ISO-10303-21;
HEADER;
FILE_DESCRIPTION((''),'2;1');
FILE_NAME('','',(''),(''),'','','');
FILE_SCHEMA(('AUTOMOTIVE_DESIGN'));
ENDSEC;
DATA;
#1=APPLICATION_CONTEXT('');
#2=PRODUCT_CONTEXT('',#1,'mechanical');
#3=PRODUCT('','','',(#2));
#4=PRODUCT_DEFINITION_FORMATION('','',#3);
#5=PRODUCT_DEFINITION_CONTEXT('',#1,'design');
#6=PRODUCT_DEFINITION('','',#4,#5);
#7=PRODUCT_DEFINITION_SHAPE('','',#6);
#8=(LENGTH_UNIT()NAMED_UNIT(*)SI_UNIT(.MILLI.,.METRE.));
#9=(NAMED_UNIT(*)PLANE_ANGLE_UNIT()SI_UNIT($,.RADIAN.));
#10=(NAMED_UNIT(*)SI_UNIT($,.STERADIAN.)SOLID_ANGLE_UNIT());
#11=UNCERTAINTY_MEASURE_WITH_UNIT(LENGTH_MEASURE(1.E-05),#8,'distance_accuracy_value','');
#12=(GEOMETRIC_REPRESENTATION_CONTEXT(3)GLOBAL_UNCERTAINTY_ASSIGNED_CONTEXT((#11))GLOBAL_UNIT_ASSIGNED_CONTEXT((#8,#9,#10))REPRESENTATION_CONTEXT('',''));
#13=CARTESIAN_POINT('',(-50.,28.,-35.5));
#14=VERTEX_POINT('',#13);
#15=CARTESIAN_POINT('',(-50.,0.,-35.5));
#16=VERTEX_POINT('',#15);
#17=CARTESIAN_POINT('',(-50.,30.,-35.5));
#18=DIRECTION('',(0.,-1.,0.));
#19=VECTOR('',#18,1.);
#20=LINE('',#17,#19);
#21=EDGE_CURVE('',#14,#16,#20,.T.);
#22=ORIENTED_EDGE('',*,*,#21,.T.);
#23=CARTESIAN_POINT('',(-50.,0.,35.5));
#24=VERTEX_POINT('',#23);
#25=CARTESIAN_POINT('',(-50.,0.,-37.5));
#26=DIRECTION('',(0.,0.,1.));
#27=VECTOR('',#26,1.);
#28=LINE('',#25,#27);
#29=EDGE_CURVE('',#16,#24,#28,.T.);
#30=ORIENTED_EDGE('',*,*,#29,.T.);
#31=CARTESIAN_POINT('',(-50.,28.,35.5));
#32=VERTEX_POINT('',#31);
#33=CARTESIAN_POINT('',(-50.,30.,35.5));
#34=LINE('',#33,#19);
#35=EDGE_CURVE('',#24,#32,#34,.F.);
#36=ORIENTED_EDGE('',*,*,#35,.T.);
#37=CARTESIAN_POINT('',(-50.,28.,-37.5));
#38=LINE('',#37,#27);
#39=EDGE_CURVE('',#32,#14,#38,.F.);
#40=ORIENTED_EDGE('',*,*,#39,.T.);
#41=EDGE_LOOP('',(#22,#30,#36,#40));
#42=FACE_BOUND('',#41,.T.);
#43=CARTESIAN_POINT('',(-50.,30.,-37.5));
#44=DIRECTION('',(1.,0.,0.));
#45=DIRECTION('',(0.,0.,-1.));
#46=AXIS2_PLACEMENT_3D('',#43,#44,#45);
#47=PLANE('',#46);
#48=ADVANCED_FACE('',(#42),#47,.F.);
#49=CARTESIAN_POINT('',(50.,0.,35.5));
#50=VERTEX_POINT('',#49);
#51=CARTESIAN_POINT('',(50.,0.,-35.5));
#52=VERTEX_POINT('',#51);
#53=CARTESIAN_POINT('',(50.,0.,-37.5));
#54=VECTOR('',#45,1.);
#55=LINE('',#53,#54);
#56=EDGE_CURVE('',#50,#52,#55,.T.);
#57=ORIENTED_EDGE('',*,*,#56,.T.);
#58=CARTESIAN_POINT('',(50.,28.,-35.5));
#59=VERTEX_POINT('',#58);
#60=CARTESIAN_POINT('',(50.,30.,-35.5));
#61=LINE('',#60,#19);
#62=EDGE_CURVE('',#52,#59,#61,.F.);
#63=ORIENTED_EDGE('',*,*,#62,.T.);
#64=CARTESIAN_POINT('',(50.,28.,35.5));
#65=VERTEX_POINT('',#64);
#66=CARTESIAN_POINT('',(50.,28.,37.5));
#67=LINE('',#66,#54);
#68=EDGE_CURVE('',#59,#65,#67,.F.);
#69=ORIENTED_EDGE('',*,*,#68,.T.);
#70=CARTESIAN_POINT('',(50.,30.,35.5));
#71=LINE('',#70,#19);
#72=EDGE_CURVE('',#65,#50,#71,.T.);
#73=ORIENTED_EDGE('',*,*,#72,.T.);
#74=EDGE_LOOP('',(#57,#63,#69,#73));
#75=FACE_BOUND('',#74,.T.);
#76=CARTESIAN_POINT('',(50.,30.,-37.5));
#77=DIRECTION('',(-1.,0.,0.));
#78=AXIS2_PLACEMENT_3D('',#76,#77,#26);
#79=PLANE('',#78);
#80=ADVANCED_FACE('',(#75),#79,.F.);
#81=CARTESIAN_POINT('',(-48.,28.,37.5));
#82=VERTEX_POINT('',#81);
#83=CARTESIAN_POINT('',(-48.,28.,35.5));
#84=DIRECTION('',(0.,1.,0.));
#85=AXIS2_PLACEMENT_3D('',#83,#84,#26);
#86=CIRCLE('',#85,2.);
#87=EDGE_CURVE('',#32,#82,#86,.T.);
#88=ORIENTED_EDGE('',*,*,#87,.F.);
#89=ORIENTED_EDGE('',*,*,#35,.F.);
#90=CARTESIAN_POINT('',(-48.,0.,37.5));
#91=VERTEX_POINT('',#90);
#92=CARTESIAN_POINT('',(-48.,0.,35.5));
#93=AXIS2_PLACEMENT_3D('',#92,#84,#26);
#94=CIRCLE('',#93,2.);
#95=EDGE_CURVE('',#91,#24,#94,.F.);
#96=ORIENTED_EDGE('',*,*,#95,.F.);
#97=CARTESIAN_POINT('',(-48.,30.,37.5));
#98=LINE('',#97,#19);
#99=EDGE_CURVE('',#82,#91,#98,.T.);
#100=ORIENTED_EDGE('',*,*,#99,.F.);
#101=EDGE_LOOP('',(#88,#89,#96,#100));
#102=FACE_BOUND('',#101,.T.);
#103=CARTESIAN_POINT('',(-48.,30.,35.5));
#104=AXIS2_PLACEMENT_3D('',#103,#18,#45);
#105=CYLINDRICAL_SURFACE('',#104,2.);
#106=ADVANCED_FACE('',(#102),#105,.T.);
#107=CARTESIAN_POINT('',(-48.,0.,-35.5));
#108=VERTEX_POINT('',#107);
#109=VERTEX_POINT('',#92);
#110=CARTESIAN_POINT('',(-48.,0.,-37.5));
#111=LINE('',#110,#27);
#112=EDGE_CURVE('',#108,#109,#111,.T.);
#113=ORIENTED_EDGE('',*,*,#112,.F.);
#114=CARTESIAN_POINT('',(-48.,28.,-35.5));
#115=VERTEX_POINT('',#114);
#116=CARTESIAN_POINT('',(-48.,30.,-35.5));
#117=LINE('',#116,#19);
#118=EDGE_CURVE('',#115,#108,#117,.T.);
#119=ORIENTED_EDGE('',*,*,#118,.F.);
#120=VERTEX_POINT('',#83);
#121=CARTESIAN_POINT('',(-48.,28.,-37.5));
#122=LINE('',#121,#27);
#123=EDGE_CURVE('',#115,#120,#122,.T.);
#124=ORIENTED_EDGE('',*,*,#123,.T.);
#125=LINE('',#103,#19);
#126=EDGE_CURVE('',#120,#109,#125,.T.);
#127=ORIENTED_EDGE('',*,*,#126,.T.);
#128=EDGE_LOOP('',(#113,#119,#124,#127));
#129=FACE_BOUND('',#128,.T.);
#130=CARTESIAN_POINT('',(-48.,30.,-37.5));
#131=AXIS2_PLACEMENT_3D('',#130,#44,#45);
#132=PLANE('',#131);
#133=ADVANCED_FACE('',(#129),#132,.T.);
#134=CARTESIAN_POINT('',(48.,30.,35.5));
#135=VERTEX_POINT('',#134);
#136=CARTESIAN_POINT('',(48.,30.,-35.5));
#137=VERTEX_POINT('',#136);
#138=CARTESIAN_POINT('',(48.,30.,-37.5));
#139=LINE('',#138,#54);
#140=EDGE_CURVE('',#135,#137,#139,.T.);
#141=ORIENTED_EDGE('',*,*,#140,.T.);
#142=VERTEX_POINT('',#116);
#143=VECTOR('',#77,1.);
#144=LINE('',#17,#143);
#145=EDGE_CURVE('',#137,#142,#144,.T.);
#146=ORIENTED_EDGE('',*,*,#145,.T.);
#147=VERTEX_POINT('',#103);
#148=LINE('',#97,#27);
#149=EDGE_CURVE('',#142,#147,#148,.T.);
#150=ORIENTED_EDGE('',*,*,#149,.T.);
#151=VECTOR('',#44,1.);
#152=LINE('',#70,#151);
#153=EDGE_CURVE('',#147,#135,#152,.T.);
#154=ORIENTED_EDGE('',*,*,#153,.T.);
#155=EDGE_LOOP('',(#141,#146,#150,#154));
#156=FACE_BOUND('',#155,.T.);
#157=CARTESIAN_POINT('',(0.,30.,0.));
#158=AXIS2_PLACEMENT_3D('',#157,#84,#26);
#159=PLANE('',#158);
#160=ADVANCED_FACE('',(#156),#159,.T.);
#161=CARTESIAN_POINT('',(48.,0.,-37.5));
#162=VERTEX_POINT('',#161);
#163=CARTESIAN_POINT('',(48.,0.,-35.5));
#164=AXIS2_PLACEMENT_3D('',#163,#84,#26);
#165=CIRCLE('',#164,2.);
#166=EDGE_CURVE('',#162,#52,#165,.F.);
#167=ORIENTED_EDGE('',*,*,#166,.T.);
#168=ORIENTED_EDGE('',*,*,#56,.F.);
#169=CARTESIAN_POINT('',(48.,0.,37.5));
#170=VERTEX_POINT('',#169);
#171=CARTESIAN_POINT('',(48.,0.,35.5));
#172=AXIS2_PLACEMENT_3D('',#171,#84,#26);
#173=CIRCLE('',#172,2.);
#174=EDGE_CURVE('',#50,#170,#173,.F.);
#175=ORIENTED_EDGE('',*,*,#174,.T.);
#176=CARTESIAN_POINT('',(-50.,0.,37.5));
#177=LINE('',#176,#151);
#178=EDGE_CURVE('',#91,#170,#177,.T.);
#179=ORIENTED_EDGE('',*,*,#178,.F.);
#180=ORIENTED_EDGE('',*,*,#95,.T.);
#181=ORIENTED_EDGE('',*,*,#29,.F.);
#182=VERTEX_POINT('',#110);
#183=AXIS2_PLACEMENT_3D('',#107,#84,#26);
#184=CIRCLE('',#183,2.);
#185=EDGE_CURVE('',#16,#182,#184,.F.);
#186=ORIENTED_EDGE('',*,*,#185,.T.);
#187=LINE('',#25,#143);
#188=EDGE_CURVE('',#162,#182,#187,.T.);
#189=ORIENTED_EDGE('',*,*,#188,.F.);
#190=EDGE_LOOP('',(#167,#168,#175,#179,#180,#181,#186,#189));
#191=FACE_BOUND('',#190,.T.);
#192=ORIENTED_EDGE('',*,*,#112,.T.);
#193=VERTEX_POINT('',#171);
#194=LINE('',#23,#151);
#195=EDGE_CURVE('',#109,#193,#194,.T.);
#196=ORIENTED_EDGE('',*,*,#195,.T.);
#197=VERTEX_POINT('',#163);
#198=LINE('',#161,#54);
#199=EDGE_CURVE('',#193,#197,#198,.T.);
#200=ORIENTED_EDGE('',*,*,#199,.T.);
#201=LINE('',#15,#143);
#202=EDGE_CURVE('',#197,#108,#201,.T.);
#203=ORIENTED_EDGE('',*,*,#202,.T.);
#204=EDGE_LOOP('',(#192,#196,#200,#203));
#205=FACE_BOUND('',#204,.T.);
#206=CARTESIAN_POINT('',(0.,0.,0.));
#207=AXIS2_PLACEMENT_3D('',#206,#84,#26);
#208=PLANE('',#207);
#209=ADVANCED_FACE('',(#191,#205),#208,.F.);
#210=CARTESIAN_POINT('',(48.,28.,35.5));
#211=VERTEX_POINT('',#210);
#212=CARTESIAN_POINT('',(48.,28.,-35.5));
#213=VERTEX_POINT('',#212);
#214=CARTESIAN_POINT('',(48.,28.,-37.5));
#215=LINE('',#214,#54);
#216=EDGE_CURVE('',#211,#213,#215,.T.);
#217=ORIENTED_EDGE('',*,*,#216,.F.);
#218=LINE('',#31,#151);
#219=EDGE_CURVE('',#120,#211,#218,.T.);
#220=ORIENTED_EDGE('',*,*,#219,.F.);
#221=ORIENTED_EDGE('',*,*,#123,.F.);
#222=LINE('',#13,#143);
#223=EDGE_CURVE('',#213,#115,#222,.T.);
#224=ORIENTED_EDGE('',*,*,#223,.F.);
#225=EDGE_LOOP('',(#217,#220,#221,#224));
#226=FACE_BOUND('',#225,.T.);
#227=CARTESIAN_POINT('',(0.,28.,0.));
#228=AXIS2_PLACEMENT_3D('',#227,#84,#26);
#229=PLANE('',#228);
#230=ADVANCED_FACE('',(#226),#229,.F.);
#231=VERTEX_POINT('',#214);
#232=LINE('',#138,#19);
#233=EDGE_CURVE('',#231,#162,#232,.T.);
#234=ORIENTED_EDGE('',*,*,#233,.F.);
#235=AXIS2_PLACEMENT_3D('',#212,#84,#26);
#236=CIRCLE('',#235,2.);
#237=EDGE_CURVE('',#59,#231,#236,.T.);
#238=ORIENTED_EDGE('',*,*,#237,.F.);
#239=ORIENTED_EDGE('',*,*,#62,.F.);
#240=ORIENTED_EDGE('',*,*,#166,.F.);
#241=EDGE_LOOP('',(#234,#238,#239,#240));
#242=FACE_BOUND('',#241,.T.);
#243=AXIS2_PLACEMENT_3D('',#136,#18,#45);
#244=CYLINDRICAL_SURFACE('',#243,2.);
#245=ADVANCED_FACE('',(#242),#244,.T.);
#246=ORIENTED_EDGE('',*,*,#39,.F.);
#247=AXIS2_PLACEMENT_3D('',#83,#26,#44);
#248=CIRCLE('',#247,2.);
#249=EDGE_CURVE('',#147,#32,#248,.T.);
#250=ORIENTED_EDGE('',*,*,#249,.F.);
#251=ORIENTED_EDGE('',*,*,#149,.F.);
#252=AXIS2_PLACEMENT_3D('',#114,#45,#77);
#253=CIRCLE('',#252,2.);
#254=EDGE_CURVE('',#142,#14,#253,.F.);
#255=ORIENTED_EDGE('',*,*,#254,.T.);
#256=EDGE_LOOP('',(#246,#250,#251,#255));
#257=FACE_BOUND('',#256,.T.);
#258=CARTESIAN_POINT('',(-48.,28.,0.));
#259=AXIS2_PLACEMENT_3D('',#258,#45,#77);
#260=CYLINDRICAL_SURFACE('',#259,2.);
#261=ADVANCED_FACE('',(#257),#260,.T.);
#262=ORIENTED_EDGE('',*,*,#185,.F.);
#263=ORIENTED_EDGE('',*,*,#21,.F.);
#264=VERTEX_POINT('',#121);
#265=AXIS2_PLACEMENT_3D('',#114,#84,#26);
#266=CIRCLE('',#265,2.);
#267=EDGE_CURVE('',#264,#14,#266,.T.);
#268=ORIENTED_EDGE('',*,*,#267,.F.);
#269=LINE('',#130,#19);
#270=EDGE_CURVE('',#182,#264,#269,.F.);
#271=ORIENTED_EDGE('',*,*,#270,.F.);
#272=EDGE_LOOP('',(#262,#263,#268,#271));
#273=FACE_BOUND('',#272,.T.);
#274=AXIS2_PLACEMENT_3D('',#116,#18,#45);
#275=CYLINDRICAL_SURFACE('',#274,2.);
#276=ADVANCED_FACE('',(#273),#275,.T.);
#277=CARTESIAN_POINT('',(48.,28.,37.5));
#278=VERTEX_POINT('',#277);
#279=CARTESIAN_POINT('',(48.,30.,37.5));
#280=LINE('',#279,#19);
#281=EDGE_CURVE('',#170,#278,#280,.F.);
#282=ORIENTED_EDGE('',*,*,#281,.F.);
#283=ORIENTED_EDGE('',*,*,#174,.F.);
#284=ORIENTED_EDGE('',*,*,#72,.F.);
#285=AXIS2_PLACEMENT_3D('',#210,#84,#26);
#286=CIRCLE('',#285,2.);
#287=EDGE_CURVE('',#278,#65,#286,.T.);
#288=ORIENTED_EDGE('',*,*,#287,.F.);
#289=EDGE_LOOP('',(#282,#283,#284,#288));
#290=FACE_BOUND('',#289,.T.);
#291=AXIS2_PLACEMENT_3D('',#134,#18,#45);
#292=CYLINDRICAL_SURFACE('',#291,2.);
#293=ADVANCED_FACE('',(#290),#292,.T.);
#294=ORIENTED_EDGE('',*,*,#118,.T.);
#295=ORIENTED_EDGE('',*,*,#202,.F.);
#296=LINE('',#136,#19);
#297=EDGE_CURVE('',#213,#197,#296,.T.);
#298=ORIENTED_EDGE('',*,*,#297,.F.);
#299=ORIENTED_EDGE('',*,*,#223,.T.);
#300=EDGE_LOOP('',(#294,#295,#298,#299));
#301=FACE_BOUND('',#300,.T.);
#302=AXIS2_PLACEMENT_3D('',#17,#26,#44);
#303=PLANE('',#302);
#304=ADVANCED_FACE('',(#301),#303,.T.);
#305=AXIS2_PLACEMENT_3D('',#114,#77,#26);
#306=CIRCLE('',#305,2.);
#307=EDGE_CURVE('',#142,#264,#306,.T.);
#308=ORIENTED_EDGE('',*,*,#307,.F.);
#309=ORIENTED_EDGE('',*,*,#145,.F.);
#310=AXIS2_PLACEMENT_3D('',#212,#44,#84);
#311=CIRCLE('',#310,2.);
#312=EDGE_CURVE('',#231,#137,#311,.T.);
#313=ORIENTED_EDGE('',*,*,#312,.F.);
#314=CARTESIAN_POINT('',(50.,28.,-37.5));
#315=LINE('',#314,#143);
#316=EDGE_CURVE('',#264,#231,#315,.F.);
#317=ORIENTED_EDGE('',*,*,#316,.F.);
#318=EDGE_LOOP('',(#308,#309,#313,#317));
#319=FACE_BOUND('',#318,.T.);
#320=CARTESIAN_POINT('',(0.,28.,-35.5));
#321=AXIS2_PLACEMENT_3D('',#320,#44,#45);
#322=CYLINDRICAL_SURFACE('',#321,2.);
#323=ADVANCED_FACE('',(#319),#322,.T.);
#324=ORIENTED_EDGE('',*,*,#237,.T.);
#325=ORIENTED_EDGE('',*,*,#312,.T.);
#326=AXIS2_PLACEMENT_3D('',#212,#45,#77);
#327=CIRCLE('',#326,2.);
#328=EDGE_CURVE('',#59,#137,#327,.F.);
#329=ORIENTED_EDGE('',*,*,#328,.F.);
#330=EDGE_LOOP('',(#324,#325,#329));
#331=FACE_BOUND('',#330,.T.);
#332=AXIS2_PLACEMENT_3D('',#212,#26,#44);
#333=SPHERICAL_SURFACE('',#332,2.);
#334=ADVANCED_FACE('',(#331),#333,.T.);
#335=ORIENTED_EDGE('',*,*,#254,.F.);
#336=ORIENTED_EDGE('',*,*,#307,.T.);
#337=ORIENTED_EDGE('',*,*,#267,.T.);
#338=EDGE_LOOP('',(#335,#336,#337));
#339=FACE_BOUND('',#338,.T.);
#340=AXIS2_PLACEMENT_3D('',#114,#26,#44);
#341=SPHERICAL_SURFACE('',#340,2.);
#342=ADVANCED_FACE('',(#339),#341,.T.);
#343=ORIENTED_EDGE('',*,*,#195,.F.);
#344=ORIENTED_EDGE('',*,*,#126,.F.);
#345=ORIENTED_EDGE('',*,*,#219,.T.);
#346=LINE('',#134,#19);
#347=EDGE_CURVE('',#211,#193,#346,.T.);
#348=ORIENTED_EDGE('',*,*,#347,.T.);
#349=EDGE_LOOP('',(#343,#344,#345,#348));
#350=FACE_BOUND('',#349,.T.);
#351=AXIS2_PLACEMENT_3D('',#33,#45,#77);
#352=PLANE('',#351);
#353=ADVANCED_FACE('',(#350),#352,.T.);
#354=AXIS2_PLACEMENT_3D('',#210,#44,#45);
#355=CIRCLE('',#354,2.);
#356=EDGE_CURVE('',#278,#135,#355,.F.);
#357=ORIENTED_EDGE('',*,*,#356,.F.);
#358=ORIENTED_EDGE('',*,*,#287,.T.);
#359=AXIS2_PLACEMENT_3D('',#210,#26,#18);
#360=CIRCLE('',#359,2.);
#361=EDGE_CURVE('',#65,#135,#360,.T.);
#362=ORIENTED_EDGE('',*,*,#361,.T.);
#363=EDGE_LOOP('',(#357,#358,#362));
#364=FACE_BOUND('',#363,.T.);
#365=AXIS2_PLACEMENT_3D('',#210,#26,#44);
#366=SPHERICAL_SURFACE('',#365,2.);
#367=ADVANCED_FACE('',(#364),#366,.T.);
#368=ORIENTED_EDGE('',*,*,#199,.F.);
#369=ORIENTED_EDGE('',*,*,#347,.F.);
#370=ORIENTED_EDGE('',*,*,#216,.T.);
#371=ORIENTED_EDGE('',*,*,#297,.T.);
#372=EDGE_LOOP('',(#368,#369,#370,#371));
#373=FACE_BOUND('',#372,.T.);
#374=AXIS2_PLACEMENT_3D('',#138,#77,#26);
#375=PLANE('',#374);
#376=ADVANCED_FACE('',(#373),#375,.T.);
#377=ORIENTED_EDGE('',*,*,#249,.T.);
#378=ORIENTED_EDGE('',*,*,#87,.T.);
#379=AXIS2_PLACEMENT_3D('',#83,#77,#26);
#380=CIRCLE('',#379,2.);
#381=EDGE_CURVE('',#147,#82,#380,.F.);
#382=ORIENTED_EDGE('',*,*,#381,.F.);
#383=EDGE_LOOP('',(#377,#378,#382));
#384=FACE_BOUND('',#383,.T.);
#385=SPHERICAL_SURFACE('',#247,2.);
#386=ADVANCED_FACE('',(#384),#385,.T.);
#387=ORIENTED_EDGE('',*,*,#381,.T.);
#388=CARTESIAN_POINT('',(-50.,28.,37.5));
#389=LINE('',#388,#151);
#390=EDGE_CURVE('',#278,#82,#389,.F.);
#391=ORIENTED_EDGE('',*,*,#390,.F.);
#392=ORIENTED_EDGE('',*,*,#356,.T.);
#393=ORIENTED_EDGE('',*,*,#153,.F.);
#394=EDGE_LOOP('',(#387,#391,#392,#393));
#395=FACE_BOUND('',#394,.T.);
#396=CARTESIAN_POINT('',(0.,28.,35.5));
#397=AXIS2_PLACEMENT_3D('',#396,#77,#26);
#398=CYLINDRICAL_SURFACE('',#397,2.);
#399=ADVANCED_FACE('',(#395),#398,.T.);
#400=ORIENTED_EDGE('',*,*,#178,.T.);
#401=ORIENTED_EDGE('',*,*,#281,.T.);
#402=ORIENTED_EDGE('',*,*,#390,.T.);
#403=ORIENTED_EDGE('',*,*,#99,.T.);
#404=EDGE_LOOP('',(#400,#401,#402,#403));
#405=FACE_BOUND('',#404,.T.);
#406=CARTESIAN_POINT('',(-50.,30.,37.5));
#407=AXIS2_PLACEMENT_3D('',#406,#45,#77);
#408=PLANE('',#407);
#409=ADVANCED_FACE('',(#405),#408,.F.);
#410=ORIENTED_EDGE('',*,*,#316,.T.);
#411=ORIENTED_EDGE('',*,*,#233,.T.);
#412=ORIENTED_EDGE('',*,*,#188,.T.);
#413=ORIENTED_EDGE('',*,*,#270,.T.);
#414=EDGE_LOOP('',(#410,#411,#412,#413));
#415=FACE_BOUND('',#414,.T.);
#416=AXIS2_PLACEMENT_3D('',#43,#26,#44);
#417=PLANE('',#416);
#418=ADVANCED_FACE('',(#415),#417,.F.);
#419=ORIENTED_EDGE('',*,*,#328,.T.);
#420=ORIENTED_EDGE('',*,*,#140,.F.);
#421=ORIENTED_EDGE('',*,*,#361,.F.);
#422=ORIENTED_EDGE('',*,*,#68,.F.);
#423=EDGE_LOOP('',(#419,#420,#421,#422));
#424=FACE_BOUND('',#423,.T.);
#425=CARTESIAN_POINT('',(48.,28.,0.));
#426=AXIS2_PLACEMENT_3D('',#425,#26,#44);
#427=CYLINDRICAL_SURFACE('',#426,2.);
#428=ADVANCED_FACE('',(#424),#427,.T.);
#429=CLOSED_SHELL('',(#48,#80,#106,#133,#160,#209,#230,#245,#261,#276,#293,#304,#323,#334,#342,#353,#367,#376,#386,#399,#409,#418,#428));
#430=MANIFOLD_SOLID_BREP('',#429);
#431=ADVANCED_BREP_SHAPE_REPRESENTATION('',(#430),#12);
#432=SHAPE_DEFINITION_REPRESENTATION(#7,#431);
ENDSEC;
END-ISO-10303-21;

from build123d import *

# Parameters (mm, degrees)
SKETCH1_W           = 100
SKETCH1_H           = 75
BOSS_EXTRUDE1_DEPTH = 30
SHELL1_T            = -2
FILLET1_R           = 2


with BuildPart() as part:
    # Sketch1 → Boss-Extrude1 (new body)
    with BuildSketch(Plane(origin=(0, 0, 0), x_dir=(1, 0, 0), z_dir=(0, 1, 0))):
        Rectangle(SKETCH1_W, SKETCH1_H)
    extrude(amount=BOSS_EXTRUDE1_DEPTH)

    # Shell1
    shell1_openings = [part.faces().sort_by_distance(p)[0] for p in [
        (0, 0, 0),
    ]]
    offset(amount=SHELL1_T, openings=shell1_openings, kind=Kind.INTERSECTION)

    # Fillet1
    fillet1_edges = [part.edges().sort_by_distance(p)[0] for p in [
        (-50, 30, 0),
        (0, 30, 37.5),
        (50, 30, 0),
        (0, 30, -37.5),
        (50, 15, 37.5),
        (-50, 15, 37.5),
        (-50, 15, -37.5),
        (50, 15, -37.5),
    ]]
    fillet(fillet1_edges, radius=FILLET1_R)


solid = part.part
